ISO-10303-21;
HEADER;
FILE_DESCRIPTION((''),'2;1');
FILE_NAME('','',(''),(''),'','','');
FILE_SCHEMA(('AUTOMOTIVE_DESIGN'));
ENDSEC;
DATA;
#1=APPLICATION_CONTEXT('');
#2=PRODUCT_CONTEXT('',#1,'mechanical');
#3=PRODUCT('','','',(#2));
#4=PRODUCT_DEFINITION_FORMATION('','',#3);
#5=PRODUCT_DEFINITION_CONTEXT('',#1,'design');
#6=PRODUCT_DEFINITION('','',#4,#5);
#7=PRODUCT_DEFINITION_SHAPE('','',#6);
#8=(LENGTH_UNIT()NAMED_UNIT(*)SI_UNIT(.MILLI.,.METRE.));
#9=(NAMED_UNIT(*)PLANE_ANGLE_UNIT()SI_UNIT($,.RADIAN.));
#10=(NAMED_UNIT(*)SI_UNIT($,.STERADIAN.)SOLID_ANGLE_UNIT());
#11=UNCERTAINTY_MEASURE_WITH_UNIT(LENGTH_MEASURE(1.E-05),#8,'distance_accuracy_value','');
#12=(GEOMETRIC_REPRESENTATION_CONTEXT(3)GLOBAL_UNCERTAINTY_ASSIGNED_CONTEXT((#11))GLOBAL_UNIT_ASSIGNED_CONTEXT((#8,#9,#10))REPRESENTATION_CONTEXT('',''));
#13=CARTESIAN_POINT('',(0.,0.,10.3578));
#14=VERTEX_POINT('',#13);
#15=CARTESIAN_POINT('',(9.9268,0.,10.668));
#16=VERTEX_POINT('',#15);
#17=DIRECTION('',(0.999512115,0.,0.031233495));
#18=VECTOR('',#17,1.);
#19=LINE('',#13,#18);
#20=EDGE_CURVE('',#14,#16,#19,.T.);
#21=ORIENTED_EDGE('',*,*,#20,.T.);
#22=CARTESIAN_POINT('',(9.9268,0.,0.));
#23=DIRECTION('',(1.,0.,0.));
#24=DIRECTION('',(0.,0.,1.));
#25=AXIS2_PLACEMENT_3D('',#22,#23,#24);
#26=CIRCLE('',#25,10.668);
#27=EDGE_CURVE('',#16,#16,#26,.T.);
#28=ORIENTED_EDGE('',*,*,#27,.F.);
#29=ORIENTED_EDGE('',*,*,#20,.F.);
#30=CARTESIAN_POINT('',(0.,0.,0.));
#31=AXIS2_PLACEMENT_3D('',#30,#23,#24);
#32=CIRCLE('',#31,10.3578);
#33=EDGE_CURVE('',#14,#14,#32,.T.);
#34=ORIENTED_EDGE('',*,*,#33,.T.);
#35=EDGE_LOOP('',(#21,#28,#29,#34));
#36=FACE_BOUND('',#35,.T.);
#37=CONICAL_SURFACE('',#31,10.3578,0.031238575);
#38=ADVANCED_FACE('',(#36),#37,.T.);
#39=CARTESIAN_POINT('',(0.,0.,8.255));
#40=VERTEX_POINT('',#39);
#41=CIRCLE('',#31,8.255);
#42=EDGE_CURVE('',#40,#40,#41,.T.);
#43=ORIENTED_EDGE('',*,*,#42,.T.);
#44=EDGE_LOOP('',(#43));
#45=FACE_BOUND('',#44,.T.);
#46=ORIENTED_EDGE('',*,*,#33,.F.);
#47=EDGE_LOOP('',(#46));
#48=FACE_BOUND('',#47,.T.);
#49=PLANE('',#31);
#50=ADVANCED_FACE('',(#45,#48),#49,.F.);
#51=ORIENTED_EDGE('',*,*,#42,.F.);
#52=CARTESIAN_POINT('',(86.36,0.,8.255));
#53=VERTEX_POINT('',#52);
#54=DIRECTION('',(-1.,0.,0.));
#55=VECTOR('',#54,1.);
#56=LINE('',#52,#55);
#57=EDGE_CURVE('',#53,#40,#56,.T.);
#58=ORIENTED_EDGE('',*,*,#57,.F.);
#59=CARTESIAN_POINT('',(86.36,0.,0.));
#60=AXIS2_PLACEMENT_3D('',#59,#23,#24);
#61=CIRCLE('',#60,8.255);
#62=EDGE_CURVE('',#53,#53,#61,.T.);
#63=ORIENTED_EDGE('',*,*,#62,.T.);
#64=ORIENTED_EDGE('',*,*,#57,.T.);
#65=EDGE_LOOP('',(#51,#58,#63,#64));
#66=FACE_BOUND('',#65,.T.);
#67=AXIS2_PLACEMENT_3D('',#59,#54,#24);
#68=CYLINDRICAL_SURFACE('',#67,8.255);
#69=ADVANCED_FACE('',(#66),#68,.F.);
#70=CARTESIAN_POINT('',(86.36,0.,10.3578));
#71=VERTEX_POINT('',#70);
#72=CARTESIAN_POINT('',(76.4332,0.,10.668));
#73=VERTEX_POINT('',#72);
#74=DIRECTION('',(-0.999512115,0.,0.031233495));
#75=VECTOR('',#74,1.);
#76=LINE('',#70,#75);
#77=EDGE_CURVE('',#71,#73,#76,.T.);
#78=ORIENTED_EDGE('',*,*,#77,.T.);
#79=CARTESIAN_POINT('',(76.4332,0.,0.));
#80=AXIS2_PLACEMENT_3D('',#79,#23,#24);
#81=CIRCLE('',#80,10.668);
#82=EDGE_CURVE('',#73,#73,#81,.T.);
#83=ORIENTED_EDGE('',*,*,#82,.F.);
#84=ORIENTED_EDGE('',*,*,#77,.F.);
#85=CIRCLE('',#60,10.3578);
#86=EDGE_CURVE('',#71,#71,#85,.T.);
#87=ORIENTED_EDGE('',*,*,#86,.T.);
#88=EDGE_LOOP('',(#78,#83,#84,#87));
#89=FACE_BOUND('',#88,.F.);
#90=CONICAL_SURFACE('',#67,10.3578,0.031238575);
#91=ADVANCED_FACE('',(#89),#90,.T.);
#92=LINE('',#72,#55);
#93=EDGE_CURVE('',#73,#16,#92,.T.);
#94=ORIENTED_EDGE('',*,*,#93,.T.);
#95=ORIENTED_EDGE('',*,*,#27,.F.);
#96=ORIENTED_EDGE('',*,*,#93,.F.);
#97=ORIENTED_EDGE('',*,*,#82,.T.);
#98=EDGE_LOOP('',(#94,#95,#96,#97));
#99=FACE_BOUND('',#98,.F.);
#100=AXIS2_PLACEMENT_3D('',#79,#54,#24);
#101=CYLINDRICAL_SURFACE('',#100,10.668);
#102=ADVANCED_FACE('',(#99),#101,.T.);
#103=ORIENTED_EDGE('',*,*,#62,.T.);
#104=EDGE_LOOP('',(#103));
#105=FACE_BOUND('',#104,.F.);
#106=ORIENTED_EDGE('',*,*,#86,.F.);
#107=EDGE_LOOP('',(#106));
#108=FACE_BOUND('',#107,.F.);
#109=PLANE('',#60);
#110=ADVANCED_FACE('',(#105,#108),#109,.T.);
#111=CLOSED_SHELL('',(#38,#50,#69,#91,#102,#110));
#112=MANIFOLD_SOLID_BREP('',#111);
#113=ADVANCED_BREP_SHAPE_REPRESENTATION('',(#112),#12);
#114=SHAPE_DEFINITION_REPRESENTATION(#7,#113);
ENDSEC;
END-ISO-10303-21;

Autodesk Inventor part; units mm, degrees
ref_plane "YZ Plane" through (0, 0, 0) normal (1, 0, 0) x (0, 1, 0)
ref_plane "XZ Plane" through (0, 0, 0) normal (0, 1, 0) x (-1, 0, 0)
ref_plane "XY Plane" through (0, 0, 0) normal (0, 0, 1) x (1, 0, 0)
sketch "Sketch1" plane through (0, 0, 0) normal (0, 1, 0) x (-1, 0, 0)
  line L0 (0, 0) -> (-86.36, 0)
  line L1 (-86.36, 0) -> (-86.36, 8.255) construction
  line L2 (-86.36, 8.255) -> (-86.36, 10.3578)
  line L3 (-86.36, 10.3578) -> (-76.4332, 10.668)
  line L4 (-76.4332, 10.668) -> (-9.9268, 10.668)
  line L5 (-43.18, 0) -> (-43.18, 10.668) construction
  line L6 (-86.36, 8.255) -> (0, 8.255)
  line L7 (0, 0) -> (0, 8.255) construction
  line L8 (0, 8.255) -> (0, 10.3578)
  line L9 (0, 10.3578) -> (-9.9268, 10.668)
  line L10 (-72.804, 10.7814) -> (-72.804, 0) construction
  line L11 (-13.556, 10.7814) -> (-13.556, 0) construction
  line L12 (-76.4332, 10.668) -> (-72.804, 10.7814) construction
  line L13 (-76.4332, 10.668) -> (-76.4332, 0) construction
  line L14 (-9.9268, 10.668) -> (-13.556, 10.7814) construction
  line L15 (-9.9268, 10.668) -> (-9.9268, 0) construction
  dimension "d0" = 21.336
  dimension "d1" = 1.79
  dimension "d2" = 16.51
  dimension "d3" = 86.36
  dimension "d4" = 13.556
  dimension "d5" = 21.5628
revolve "Revolution1" add sketch "Sketch1" angle 360 about axis through (0, 0, 0) along (1, 0, 0)
thread "Thread1" size "1/2" designation "1/2 - 14 NPT" standard "NPT" full length
thread "Thread2" size "1/2" designation "1/2 - 14 NPT" standard "NPT" full length
equation "\"d0\" = OD"
equation "\"d2\" = ID"
equation "\"d3\" = L"
equation "\"d4\" = L2"
equation "\"d5\" = D2"
equation "\"OD\" = 21.336"
equation "\"t\" = 2.413"
equation "\"L\" = PL"
equation "\"L4\" = 19.8501"
equation "\"ID\" = 16.51"
equation "\"PL\" = 86.36"
equation "\"D2\" = 21.56282"
equation "\"L2\" = 13.55598"
equation "\"Size_Designation\" = 1.2345"
equation "\"PLmin\" = 2 * L2"
properties material "Steel, Wrought"
